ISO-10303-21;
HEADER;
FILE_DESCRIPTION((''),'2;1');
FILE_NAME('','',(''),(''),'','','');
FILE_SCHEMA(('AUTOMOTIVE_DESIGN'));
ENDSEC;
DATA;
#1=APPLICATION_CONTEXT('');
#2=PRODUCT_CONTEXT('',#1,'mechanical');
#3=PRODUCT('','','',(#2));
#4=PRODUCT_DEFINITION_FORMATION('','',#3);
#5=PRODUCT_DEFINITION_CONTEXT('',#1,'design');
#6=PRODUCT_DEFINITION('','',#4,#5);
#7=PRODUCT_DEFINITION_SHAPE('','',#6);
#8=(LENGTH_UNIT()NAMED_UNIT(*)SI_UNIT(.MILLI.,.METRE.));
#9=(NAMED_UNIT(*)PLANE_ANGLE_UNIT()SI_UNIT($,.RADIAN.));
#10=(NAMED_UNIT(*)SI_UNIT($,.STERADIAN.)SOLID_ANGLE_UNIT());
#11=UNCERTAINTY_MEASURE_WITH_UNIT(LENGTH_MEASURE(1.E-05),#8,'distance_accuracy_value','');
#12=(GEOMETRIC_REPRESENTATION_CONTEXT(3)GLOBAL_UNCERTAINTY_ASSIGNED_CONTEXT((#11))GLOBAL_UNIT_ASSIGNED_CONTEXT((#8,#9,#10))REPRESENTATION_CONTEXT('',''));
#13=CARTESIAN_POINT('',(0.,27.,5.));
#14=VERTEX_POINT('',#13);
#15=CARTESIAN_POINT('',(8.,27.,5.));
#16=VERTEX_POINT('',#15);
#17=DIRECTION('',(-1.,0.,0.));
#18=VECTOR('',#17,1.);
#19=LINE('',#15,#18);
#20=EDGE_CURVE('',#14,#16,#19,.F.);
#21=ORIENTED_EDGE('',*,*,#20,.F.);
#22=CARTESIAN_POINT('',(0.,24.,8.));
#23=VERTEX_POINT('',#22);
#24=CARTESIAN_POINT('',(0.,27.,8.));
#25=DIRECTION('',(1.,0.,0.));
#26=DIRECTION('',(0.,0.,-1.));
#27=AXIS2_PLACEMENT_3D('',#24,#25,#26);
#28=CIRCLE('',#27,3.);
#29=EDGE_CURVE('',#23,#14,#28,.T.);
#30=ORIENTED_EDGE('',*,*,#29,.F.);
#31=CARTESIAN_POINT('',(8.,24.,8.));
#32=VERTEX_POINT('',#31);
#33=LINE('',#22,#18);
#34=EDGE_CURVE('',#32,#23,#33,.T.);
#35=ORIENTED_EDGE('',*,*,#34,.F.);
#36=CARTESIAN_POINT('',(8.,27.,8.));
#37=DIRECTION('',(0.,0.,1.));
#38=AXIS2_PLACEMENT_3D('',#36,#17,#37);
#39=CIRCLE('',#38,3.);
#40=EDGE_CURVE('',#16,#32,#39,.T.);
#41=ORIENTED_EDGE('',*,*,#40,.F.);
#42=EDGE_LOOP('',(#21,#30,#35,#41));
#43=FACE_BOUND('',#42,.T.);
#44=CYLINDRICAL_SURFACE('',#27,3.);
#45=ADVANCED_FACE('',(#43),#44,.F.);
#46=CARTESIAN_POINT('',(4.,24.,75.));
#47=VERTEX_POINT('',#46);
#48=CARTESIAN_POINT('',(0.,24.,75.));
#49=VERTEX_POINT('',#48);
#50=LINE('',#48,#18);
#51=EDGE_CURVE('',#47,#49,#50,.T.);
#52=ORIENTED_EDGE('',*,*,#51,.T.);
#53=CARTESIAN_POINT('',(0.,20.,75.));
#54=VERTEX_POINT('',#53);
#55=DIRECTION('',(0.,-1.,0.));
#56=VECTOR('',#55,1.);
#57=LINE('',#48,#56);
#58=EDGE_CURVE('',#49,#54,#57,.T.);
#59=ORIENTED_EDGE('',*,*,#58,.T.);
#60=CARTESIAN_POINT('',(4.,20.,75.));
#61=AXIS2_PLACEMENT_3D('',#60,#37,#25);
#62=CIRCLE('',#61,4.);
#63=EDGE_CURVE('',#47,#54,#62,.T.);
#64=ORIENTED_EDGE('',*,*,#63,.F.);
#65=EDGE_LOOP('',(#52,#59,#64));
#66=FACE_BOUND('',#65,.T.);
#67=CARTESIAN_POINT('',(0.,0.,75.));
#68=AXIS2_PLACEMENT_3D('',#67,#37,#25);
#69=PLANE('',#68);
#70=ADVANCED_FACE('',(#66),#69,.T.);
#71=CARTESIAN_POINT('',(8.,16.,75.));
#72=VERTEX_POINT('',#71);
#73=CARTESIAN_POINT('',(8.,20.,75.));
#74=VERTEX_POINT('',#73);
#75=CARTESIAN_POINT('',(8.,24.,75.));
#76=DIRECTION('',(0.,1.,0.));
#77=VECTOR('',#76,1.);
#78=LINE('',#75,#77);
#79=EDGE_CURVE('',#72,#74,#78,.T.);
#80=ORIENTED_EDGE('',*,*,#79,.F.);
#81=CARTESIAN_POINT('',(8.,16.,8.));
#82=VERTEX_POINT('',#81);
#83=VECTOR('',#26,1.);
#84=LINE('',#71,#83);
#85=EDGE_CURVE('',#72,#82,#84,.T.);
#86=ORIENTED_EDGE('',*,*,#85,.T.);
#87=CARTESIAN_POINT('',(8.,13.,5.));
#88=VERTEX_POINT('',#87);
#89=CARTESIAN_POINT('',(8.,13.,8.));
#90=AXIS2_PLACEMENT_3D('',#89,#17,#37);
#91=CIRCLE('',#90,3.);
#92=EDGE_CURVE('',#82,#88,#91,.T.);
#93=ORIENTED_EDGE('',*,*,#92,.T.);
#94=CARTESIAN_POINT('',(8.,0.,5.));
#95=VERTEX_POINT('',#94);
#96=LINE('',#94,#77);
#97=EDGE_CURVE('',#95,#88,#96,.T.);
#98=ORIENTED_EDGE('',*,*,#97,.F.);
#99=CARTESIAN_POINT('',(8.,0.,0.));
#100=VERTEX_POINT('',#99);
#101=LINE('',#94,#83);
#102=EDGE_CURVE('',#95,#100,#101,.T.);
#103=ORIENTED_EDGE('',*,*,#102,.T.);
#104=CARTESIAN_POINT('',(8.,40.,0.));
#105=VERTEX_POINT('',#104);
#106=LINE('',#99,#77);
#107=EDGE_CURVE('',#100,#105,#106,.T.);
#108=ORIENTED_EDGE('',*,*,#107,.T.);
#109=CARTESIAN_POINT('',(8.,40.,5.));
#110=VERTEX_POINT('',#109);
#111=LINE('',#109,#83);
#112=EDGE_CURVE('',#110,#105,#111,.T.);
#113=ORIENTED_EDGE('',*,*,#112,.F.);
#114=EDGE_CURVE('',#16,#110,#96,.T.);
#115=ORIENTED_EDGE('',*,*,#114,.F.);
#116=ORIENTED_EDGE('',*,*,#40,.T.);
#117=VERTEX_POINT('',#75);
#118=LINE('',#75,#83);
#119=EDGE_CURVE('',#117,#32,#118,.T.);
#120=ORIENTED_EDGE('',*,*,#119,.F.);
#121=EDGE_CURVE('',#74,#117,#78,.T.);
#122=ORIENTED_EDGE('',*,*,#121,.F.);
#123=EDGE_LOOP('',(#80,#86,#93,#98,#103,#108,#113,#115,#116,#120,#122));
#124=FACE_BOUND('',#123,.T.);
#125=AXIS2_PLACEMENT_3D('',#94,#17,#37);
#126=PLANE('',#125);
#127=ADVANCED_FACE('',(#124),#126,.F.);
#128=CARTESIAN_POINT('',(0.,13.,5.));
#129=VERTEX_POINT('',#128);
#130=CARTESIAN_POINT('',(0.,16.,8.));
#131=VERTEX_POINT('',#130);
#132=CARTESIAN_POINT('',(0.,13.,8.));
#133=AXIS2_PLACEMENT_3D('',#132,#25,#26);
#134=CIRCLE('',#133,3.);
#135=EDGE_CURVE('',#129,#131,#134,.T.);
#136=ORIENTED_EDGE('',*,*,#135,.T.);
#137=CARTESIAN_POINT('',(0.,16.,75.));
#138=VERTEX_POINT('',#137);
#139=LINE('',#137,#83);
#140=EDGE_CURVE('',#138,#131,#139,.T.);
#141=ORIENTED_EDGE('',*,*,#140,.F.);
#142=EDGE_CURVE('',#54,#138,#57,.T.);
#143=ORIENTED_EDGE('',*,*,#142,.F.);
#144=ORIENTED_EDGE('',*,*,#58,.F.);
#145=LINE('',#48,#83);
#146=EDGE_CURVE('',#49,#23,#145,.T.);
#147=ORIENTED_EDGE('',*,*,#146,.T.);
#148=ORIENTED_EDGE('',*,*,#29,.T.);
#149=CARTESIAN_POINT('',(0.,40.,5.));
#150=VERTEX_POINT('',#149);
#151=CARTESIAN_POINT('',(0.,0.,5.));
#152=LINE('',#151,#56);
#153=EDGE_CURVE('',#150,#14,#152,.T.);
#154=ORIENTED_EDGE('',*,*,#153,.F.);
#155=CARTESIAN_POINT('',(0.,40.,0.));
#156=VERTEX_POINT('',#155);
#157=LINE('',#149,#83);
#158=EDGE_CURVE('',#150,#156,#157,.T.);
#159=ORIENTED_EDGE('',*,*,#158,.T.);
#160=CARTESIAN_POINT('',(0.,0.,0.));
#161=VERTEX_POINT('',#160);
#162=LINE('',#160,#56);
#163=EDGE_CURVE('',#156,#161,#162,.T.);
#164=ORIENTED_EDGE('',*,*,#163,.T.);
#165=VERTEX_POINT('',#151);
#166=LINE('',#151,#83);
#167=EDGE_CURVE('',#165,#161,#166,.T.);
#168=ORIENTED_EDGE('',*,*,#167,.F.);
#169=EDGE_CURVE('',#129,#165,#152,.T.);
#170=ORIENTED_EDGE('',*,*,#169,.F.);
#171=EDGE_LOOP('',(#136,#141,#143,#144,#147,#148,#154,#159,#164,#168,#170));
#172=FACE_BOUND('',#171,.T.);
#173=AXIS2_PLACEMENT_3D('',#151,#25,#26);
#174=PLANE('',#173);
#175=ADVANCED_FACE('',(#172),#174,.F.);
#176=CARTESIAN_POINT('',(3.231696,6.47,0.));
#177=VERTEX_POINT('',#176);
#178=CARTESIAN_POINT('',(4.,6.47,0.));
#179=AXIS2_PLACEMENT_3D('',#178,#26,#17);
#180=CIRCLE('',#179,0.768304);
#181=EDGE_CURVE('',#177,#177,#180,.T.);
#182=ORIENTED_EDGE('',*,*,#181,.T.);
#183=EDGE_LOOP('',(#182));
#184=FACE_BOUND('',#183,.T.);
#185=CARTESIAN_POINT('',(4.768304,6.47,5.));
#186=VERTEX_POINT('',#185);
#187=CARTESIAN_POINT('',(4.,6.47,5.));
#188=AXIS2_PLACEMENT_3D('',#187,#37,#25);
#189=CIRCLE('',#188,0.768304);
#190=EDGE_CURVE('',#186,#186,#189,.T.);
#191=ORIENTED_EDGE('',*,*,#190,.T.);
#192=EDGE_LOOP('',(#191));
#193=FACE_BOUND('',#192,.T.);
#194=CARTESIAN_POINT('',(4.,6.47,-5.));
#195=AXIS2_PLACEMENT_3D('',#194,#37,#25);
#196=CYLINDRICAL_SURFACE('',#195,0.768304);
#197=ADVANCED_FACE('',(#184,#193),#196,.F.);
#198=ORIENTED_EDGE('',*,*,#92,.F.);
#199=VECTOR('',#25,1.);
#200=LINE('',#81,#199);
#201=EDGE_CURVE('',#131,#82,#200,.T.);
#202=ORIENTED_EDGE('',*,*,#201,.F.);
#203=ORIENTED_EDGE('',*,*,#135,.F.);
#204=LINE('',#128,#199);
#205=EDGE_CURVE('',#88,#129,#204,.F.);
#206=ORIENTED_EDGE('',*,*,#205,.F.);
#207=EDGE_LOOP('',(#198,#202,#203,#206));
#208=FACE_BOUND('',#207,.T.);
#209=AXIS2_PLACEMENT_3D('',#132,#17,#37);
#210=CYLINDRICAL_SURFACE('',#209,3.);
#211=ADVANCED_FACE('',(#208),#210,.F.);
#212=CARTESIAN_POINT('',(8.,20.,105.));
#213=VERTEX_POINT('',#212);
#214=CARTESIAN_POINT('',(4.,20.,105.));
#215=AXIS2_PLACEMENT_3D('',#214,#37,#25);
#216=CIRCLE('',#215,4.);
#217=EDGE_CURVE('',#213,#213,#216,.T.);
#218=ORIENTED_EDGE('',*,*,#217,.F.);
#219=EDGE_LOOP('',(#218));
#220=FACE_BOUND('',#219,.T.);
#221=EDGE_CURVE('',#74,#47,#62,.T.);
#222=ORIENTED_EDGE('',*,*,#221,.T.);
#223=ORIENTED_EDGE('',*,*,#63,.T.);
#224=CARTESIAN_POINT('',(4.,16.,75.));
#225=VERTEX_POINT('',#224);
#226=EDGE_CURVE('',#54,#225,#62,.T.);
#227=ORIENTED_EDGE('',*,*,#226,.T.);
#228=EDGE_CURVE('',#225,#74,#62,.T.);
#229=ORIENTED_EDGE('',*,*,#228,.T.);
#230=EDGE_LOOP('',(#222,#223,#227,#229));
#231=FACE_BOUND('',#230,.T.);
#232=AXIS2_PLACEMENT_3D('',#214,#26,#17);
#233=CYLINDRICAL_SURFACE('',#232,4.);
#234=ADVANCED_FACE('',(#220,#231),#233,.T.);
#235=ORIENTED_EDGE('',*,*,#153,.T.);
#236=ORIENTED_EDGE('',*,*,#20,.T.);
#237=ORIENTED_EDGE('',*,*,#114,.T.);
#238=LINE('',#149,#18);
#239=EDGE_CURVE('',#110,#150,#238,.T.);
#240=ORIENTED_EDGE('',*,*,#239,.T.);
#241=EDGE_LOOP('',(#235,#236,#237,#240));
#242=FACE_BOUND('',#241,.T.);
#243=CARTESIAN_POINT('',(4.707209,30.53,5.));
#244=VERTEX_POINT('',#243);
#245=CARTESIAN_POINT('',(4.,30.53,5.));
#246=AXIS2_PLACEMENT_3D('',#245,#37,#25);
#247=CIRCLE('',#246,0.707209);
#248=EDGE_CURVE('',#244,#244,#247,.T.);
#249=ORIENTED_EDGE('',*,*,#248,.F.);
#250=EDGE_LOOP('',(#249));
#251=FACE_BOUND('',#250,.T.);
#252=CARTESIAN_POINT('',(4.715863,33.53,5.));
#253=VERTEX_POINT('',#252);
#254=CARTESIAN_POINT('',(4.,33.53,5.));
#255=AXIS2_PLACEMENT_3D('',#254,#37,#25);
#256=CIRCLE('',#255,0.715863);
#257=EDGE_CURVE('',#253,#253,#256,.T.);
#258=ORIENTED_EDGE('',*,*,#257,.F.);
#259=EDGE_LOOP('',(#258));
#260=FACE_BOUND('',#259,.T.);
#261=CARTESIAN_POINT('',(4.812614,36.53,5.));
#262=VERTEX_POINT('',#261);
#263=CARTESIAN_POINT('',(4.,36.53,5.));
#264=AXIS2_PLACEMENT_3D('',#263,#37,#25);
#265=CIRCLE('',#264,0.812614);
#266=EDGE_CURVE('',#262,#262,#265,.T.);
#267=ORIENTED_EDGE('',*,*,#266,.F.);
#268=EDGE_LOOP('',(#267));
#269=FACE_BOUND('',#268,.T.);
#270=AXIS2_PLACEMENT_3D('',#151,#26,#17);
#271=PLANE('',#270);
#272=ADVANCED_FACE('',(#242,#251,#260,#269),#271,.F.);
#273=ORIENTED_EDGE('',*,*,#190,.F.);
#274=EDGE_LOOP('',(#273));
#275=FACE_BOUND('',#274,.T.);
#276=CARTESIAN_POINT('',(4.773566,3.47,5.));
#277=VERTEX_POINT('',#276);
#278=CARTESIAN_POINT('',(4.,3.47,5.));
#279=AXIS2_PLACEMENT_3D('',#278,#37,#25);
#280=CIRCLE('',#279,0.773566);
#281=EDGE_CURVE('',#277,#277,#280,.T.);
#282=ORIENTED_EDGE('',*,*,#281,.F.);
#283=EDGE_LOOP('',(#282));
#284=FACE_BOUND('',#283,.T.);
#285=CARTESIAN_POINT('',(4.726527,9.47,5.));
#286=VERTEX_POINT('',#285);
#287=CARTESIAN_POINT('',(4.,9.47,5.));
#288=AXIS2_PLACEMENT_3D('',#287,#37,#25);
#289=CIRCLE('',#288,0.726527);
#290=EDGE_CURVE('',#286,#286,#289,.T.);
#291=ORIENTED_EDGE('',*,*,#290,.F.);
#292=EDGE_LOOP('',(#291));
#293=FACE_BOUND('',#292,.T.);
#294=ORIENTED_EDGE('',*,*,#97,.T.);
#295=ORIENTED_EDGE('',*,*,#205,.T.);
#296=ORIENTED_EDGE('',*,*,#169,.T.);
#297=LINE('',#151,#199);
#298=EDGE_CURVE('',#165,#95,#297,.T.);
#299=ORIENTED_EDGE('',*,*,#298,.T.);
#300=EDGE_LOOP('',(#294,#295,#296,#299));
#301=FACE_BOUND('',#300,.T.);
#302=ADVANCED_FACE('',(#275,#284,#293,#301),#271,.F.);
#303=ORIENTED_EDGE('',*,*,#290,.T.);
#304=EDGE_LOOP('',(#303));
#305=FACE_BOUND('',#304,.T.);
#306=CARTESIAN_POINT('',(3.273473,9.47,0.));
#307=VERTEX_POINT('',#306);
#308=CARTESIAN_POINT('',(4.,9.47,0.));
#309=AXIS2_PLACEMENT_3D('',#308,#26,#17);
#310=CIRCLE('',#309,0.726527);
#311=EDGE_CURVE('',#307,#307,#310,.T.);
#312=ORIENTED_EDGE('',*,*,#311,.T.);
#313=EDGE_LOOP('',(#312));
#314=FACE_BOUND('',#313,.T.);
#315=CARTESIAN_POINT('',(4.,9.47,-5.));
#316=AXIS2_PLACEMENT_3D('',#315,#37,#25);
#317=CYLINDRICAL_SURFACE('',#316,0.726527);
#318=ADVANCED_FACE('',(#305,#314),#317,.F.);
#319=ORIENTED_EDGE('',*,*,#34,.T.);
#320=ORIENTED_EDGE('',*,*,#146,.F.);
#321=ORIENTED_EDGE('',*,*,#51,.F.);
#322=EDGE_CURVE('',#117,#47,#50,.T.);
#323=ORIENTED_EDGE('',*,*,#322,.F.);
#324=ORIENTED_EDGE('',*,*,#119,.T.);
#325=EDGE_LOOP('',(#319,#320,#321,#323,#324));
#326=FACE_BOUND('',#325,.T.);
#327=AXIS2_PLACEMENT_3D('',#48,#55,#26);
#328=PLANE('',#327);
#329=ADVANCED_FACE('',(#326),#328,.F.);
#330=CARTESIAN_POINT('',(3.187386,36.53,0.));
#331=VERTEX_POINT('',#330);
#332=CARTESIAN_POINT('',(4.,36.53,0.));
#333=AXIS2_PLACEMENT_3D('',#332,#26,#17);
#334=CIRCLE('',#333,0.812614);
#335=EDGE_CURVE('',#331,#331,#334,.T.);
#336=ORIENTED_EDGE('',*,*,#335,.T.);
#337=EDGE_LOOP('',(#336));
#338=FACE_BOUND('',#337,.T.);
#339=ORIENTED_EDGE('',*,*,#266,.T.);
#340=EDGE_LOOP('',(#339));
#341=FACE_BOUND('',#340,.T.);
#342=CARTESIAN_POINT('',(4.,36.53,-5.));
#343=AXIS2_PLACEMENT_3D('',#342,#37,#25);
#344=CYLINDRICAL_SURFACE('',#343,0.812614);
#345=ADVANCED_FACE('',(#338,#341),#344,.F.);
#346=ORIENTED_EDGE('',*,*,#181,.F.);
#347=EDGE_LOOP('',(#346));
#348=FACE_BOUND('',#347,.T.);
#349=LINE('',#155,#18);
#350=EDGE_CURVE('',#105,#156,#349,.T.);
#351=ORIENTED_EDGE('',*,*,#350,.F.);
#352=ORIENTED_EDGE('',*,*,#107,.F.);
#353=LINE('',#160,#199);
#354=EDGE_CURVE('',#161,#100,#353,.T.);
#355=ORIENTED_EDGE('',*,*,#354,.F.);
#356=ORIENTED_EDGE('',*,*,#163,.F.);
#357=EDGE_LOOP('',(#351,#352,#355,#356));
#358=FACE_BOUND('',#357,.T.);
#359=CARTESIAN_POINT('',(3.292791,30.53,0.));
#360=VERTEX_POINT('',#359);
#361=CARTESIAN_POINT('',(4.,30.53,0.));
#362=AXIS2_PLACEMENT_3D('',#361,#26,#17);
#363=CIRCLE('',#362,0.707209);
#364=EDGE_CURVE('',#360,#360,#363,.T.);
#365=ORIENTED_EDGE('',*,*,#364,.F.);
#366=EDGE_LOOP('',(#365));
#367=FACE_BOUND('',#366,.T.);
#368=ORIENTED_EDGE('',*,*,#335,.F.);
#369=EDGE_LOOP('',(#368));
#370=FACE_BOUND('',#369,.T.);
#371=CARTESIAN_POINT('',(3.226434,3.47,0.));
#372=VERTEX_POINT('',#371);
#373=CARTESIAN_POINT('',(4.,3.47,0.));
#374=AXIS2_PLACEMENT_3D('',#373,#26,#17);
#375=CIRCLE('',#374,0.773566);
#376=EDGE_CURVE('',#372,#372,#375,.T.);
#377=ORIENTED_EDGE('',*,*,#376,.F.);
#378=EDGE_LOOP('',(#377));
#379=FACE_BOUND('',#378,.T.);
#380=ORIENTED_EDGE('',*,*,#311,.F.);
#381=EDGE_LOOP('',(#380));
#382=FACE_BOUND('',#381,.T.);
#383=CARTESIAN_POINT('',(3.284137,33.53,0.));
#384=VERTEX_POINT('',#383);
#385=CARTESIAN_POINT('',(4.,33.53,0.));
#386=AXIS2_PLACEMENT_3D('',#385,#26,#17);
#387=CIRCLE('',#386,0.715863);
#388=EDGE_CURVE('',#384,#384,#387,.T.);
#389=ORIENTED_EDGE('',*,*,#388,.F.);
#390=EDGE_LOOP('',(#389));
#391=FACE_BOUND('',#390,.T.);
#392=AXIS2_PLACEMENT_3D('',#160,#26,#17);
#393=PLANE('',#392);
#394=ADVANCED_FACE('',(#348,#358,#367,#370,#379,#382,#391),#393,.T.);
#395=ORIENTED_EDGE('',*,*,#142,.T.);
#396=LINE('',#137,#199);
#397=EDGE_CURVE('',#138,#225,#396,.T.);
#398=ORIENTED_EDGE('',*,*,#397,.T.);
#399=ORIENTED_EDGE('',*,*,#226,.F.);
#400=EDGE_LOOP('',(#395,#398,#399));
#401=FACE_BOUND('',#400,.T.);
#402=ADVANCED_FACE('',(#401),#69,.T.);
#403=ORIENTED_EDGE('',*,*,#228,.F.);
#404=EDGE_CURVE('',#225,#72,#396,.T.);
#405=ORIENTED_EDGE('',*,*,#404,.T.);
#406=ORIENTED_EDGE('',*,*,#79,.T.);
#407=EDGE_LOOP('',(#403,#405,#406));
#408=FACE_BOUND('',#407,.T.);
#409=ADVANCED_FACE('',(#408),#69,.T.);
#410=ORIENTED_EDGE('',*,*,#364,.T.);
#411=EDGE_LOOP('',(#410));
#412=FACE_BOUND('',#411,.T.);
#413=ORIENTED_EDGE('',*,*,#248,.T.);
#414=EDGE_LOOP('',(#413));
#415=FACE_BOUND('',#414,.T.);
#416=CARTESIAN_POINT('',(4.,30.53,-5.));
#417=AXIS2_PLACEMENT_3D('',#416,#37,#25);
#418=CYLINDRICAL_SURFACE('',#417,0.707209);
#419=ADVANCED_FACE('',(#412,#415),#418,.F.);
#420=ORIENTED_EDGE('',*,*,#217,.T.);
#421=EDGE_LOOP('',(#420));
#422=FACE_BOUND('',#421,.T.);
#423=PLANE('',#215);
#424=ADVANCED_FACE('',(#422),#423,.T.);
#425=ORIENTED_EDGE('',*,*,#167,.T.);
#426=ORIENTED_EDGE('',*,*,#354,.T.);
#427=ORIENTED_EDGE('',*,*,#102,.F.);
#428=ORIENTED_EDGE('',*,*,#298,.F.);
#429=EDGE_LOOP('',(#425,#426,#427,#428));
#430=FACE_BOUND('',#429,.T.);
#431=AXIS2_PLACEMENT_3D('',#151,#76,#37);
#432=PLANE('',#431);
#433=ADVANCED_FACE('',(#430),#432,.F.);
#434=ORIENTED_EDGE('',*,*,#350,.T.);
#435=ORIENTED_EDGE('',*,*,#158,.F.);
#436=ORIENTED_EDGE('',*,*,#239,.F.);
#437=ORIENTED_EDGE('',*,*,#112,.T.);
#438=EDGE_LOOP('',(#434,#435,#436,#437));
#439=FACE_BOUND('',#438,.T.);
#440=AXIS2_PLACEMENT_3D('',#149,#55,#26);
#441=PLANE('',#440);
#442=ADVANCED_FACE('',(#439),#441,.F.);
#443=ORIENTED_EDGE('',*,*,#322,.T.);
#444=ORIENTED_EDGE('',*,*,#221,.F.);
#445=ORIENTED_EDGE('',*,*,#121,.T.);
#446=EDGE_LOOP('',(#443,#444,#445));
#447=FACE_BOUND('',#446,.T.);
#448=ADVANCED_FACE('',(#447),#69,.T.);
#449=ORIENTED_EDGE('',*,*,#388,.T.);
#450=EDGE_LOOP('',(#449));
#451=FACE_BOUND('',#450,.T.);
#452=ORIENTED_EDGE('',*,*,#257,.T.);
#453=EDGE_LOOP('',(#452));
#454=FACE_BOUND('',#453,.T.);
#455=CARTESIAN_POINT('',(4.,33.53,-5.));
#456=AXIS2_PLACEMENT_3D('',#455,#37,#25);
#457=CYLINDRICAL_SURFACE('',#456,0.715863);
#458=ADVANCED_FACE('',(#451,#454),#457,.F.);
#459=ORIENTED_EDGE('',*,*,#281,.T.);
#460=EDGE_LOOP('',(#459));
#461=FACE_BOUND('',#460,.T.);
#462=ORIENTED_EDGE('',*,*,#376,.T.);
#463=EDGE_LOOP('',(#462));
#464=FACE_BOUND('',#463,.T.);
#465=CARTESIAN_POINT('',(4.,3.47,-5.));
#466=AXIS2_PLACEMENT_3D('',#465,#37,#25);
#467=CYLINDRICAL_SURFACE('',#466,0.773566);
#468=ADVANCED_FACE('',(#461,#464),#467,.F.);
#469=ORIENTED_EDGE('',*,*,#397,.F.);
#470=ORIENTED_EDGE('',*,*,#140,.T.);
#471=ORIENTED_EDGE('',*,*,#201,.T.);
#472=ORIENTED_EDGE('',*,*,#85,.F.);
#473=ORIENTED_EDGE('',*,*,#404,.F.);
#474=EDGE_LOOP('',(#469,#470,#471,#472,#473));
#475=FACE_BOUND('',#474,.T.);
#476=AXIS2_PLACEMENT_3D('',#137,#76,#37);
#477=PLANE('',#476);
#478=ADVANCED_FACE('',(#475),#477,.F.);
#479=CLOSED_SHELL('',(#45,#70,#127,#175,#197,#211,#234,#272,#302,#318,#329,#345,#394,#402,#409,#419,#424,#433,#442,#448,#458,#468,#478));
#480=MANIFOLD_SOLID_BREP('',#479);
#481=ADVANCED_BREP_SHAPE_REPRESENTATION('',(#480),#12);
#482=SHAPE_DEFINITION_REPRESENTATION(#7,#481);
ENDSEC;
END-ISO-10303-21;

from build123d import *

# Parameters (mm, degrees)
SKETCH1_W           = 8
SKETCH1_H           = 40
BOSS_EXTRUDE1_DEPTH = 5
SKETCH3_W           = 8
SKETCH3_H           = 8
BOSS_EXTRUDE3_DEPTH = 70
SKETCH4_R           = 4
BOSS_EXTRUDE4_DEPTH = 30
SKETCH5_R           = 0.773565548
SKETCH5_R_2         = 0.768304054
SKETCH5_R_3         = 0.726526648
SKETCH5_R_4         = 0.707209462
SKETCH5_R_5         = 0.715862797
SKETCH5_R_6         = 0.812614346
CUT_EXTRUDE1_DEPTH  = 10
FILLET1_R           = 3


with BuildPart() as part:
    # Sketch1 → Boss-Extrude1 (new body)
    with BuildSketch(Plane.XY):
        with Locations((4, 20)):
            Rectangle(SKETCH1_W, SKETCH1_H)
    extrude(amount=BOSS_EXTRUDE1_DEPTH)

    # Sketch3 → Boss-Extrude3 (add)
    with BuildSketch(Plane.XY.offset(5)):
        with Locations((4, 20)):
            Rectangle(SKETCH3_W, SKETCH3_H)
    extrude(amount=BOSS_EXTRUDE3_DEPTH)

    # Sketch4 → Boss-Extrude4 (add)
    with BuildSketch(Plane.XY.offset(75)):
        with Locations((4, 20)):
            Circle(SKETCH4_R)
    extrude(amount=BOSS_EXTRUDE4_DEPTH)

    # Sketch5 → Cut-Extrude1 (cut)
    with BuildSketch(Plane.XY.offset(5)):
        with Locations((4, 3.47)):
            Circle(SKETCH5_R)
        with Locations((4, 6.47)):
            Circle(SKETCH5_R_2)
        with Locations((4, 9.47)):
            Circle(SKETCH5_R_3)
        with Locations((4, 30.53)):
            Circle(SKETCH5_R_4)
        with Locations((4, 33.53)):
            Circle(SKETCH5_R_5)
        with Locations((4, 36.53)):
            Circle(SKETCH5_R_6)
    extrude(amount=-CUT_EXTRUDE1_DEPTH, mode=Mode.SUBTRACT)

    # Fillet1
    fillet1_edges = [part.edges().sort_by_distance(p)[0] for p in [
        (4, 16, 5),
        (4, 24, 5),
    ]]
    fillet(fillet1_edges, radius=FILLET1_R)


solid = part.part
